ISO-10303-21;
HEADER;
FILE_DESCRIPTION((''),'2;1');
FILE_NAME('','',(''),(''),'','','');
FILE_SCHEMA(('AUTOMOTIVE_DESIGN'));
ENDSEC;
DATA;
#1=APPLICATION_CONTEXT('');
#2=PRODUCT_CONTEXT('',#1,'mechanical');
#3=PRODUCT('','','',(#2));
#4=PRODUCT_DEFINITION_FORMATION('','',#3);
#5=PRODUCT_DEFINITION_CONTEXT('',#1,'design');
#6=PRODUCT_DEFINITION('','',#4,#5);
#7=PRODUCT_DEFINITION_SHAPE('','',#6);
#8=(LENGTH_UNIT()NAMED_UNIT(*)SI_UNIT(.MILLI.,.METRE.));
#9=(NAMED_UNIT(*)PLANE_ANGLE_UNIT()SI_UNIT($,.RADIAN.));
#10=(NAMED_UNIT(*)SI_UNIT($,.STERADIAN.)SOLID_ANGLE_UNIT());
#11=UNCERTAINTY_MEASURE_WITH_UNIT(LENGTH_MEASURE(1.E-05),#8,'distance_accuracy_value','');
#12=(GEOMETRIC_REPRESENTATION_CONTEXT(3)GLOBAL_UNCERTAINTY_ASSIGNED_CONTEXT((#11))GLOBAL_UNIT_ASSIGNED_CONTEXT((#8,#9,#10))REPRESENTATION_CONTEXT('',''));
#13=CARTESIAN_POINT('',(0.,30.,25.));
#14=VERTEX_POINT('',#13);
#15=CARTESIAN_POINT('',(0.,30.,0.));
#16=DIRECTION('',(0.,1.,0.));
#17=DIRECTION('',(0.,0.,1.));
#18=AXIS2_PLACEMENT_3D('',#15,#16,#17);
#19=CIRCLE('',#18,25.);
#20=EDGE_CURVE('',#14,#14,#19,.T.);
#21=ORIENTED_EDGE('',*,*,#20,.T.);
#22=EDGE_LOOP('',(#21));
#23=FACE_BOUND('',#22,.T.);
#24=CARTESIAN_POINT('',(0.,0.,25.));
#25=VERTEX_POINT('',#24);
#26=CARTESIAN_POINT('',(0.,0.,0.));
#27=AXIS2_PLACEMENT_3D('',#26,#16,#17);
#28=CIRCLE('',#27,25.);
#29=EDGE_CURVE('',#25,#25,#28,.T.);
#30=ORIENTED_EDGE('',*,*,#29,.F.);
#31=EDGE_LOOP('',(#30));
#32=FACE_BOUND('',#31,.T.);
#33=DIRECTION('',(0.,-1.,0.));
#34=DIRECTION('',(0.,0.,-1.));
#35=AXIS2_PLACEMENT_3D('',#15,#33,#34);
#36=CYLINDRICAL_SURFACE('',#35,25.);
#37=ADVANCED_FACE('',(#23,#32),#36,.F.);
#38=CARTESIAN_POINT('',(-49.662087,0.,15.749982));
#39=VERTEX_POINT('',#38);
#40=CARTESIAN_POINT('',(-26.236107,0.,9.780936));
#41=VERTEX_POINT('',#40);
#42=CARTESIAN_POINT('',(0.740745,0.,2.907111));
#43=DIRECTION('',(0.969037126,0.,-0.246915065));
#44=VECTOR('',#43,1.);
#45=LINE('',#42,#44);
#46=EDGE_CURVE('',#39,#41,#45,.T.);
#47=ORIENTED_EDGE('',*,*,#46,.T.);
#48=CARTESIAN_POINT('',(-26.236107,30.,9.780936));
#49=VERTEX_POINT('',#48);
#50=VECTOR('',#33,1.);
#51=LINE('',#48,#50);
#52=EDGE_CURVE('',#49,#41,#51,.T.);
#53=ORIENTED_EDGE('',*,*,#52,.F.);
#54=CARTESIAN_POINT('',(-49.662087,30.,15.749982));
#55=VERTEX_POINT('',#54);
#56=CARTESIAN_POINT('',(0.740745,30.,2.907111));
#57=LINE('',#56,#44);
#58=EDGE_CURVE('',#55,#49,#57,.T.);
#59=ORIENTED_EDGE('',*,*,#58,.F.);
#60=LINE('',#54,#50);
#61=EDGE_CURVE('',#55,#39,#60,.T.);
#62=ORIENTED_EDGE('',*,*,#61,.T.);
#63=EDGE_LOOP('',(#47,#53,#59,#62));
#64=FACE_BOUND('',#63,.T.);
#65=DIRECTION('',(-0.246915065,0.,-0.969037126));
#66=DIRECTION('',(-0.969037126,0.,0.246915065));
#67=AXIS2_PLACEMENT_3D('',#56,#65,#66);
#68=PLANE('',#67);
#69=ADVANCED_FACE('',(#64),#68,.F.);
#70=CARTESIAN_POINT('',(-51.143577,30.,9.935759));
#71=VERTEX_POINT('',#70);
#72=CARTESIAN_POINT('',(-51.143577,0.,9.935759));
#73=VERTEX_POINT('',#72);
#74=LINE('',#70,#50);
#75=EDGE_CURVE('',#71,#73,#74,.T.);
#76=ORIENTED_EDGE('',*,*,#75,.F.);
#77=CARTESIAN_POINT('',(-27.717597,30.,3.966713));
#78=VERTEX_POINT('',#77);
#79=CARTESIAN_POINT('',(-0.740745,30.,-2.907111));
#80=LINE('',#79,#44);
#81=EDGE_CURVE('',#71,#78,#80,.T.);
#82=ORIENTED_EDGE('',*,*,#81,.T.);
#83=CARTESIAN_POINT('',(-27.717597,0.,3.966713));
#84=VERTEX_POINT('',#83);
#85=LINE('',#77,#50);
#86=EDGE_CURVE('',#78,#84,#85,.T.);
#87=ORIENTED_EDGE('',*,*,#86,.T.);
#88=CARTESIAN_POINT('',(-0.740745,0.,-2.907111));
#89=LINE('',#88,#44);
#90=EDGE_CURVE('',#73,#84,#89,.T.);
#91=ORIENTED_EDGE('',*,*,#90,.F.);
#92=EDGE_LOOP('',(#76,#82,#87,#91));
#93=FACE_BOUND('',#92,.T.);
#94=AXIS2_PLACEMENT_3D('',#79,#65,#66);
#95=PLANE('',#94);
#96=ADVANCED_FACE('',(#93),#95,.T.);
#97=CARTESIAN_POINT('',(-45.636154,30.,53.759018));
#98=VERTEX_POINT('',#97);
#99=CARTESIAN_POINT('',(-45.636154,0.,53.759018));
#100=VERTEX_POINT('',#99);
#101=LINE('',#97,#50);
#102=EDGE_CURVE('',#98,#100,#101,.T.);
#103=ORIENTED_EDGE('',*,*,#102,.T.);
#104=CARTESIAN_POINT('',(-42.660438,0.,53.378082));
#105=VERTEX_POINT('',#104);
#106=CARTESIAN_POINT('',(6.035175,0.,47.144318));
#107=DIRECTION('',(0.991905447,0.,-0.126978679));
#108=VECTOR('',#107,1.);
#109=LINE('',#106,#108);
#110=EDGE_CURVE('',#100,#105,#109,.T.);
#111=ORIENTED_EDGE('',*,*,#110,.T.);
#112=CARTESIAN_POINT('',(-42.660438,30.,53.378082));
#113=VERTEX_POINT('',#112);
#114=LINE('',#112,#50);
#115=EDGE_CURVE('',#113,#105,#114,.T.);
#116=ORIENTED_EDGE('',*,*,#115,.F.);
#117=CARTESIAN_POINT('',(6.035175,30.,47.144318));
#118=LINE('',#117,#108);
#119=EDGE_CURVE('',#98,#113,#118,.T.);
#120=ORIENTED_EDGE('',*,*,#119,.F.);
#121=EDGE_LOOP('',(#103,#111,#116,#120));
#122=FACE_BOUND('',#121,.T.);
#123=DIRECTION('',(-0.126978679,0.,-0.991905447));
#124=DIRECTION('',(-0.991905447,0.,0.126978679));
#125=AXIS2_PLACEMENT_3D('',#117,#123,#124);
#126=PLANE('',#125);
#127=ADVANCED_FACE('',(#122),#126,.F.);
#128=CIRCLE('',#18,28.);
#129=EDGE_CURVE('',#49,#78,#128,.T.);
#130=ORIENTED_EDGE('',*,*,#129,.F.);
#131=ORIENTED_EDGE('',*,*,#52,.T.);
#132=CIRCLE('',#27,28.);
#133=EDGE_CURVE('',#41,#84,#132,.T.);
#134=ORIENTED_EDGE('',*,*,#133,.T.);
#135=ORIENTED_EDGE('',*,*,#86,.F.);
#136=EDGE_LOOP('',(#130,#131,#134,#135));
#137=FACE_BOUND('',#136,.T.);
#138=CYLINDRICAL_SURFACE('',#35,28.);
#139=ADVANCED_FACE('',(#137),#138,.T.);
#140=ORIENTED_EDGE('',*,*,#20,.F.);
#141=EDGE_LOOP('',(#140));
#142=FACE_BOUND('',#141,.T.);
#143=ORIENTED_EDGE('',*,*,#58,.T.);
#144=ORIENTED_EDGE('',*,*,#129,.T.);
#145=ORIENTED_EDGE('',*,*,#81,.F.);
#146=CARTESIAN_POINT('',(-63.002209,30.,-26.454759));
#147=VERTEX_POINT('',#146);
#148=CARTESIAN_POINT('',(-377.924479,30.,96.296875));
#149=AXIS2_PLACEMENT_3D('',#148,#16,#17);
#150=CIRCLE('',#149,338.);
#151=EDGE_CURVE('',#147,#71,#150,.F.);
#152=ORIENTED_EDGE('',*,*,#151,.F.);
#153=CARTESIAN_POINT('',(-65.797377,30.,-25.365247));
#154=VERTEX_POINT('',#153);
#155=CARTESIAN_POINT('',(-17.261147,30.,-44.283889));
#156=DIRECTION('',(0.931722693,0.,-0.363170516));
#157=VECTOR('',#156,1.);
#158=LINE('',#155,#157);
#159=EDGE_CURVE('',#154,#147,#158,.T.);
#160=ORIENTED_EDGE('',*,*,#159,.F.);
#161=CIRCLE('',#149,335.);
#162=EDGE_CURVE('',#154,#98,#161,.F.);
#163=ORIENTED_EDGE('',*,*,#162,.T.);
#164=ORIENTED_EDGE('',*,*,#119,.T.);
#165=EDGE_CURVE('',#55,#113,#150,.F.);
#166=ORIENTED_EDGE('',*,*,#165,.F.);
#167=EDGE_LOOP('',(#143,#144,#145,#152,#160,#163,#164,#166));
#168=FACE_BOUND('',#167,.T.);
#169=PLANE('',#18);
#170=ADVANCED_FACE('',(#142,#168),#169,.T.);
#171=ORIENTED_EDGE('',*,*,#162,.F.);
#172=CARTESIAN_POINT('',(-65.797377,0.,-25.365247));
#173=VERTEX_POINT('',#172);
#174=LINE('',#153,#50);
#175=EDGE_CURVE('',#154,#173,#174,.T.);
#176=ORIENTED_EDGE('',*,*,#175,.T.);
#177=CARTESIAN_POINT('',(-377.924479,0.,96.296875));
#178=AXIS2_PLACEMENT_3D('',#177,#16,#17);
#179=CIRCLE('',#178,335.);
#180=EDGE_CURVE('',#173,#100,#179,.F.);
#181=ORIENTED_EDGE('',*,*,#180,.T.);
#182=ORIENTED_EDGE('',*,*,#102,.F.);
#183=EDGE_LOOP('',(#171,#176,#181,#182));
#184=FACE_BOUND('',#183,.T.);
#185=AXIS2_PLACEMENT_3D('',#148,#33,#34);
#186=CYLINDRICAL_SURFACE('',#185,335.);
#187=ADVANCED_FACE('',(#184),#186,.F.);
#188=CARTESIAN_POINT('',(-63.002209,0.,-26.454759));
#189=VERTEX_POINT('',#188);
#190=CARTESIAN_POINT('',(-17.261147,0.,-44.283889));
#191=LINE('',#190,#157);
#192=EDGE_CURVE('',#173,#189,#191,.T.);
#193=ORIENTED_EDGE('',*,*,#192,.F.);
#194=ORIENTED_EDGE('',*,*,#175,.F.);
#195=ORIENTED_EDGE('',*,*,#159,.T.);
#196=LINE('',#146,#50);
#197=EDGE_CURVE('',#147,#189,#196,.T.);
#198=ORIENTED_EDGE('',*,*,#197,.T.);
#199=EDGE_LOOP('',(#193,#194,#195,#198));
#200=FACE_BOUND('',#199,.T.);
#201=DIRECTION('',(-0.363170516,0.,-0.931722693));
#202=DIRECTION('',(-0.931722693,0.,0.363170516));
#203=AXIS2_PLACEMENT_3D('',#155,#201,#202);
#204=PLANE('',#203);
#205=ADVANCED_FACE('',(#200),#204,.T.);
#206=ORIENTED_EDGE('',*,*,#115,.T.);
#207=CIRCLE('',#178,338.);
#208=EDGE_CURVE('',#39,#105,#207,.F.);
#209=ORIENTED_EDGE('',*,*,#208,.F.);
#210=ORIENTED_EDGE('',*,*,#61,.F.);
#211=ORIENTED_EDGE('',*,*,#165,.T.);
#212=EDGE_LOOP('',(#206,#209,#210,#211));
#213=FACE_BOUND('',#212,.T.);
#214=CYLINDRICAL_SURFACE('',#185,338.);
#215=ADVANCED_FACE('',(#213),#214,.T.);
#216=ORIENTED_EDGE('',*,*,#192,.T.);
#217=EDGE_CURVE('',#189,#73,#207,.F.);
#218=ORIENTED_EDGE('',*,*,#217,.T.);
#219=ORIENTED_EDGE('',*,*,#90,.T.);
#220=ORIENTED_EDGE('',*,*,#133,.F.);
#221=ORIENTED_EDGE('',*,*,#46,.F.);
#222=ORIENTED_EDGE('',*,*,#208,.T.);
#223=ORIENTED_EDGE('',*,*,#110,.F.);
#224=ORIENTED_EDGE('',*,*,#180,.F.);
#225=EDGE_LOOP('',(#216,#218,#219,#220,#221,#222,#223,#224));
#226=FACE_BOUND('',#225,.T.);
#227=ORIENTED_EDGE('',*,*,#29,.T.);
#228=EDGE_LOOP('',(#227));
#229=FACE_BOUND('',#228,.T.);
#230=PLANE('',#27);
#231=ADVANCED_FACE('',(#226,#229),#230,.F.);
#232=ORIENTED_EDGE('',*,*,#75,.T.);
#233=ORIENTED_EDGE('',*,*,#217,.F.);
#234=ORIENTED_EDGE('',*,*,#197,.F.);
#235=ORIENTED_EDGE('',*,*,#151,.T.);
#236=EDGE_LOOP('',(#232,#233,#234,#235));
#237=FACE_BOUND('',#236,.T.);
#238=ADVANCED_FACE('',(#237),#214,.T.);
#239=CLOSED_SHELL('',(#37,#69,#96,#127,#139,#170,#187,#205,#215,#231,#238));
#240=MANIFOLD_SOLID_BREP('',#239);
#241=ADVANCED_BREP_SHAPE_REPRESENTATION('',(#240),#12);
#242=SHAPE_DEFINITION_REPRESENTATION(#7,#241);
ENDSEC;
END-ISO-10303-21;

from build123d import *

# Parameters (mm, degrees)
CROQUIS1_R              = 25
SALIENTE_EXTRUIR1_DEPTH = 30


with BuildPart() as part:
    # Croquis1 → Saliente-Extruir1 (new body)
    with BuildSketch(Plane(origin=(0, 0, 0), x_dir=(1, 0, 0), z_dir=(0, 1, 0))):
        with BuildLine():
            Line((-65.797376832, 25.36524745), (-63.002208753, 26.454758997))
            ThreePointArc((-63.002208753, 26.454758997), (-56.557387251, 8.427488435), (-51.143577362, -9.935759386))
            Line((-51.143577362, -9.935759386), (-27.717597065, -3.966713114))
            ThreePointArc((-27.717597065, -3.966713114), (27.133039517, 6.913621813), (-26.236106677, -9.780935868))
            Line((-26.236106677, -9.780935868), (-49.662086973, -15.74998214))
            ThreePointArc((-49.662086973, -15.74998214), (-45.628225194, -34.464847013), (-42.660438023, -53.378081728))
            Line((-42.660438023, -53.378081728), (-45.636154363, -53.759017766))
            ThreePointArc((-45.636154363, -53.759017766), (-53.297041908, -13.580328562), (-65.797376832, 25.36524745))
        make_face()
        Circle(CROQUIS1_R, mode=Mode.SUBTRACT)
    extrude(amount=SALIENTE_EXTRUIR1_DEPTH)


solid = part.part
